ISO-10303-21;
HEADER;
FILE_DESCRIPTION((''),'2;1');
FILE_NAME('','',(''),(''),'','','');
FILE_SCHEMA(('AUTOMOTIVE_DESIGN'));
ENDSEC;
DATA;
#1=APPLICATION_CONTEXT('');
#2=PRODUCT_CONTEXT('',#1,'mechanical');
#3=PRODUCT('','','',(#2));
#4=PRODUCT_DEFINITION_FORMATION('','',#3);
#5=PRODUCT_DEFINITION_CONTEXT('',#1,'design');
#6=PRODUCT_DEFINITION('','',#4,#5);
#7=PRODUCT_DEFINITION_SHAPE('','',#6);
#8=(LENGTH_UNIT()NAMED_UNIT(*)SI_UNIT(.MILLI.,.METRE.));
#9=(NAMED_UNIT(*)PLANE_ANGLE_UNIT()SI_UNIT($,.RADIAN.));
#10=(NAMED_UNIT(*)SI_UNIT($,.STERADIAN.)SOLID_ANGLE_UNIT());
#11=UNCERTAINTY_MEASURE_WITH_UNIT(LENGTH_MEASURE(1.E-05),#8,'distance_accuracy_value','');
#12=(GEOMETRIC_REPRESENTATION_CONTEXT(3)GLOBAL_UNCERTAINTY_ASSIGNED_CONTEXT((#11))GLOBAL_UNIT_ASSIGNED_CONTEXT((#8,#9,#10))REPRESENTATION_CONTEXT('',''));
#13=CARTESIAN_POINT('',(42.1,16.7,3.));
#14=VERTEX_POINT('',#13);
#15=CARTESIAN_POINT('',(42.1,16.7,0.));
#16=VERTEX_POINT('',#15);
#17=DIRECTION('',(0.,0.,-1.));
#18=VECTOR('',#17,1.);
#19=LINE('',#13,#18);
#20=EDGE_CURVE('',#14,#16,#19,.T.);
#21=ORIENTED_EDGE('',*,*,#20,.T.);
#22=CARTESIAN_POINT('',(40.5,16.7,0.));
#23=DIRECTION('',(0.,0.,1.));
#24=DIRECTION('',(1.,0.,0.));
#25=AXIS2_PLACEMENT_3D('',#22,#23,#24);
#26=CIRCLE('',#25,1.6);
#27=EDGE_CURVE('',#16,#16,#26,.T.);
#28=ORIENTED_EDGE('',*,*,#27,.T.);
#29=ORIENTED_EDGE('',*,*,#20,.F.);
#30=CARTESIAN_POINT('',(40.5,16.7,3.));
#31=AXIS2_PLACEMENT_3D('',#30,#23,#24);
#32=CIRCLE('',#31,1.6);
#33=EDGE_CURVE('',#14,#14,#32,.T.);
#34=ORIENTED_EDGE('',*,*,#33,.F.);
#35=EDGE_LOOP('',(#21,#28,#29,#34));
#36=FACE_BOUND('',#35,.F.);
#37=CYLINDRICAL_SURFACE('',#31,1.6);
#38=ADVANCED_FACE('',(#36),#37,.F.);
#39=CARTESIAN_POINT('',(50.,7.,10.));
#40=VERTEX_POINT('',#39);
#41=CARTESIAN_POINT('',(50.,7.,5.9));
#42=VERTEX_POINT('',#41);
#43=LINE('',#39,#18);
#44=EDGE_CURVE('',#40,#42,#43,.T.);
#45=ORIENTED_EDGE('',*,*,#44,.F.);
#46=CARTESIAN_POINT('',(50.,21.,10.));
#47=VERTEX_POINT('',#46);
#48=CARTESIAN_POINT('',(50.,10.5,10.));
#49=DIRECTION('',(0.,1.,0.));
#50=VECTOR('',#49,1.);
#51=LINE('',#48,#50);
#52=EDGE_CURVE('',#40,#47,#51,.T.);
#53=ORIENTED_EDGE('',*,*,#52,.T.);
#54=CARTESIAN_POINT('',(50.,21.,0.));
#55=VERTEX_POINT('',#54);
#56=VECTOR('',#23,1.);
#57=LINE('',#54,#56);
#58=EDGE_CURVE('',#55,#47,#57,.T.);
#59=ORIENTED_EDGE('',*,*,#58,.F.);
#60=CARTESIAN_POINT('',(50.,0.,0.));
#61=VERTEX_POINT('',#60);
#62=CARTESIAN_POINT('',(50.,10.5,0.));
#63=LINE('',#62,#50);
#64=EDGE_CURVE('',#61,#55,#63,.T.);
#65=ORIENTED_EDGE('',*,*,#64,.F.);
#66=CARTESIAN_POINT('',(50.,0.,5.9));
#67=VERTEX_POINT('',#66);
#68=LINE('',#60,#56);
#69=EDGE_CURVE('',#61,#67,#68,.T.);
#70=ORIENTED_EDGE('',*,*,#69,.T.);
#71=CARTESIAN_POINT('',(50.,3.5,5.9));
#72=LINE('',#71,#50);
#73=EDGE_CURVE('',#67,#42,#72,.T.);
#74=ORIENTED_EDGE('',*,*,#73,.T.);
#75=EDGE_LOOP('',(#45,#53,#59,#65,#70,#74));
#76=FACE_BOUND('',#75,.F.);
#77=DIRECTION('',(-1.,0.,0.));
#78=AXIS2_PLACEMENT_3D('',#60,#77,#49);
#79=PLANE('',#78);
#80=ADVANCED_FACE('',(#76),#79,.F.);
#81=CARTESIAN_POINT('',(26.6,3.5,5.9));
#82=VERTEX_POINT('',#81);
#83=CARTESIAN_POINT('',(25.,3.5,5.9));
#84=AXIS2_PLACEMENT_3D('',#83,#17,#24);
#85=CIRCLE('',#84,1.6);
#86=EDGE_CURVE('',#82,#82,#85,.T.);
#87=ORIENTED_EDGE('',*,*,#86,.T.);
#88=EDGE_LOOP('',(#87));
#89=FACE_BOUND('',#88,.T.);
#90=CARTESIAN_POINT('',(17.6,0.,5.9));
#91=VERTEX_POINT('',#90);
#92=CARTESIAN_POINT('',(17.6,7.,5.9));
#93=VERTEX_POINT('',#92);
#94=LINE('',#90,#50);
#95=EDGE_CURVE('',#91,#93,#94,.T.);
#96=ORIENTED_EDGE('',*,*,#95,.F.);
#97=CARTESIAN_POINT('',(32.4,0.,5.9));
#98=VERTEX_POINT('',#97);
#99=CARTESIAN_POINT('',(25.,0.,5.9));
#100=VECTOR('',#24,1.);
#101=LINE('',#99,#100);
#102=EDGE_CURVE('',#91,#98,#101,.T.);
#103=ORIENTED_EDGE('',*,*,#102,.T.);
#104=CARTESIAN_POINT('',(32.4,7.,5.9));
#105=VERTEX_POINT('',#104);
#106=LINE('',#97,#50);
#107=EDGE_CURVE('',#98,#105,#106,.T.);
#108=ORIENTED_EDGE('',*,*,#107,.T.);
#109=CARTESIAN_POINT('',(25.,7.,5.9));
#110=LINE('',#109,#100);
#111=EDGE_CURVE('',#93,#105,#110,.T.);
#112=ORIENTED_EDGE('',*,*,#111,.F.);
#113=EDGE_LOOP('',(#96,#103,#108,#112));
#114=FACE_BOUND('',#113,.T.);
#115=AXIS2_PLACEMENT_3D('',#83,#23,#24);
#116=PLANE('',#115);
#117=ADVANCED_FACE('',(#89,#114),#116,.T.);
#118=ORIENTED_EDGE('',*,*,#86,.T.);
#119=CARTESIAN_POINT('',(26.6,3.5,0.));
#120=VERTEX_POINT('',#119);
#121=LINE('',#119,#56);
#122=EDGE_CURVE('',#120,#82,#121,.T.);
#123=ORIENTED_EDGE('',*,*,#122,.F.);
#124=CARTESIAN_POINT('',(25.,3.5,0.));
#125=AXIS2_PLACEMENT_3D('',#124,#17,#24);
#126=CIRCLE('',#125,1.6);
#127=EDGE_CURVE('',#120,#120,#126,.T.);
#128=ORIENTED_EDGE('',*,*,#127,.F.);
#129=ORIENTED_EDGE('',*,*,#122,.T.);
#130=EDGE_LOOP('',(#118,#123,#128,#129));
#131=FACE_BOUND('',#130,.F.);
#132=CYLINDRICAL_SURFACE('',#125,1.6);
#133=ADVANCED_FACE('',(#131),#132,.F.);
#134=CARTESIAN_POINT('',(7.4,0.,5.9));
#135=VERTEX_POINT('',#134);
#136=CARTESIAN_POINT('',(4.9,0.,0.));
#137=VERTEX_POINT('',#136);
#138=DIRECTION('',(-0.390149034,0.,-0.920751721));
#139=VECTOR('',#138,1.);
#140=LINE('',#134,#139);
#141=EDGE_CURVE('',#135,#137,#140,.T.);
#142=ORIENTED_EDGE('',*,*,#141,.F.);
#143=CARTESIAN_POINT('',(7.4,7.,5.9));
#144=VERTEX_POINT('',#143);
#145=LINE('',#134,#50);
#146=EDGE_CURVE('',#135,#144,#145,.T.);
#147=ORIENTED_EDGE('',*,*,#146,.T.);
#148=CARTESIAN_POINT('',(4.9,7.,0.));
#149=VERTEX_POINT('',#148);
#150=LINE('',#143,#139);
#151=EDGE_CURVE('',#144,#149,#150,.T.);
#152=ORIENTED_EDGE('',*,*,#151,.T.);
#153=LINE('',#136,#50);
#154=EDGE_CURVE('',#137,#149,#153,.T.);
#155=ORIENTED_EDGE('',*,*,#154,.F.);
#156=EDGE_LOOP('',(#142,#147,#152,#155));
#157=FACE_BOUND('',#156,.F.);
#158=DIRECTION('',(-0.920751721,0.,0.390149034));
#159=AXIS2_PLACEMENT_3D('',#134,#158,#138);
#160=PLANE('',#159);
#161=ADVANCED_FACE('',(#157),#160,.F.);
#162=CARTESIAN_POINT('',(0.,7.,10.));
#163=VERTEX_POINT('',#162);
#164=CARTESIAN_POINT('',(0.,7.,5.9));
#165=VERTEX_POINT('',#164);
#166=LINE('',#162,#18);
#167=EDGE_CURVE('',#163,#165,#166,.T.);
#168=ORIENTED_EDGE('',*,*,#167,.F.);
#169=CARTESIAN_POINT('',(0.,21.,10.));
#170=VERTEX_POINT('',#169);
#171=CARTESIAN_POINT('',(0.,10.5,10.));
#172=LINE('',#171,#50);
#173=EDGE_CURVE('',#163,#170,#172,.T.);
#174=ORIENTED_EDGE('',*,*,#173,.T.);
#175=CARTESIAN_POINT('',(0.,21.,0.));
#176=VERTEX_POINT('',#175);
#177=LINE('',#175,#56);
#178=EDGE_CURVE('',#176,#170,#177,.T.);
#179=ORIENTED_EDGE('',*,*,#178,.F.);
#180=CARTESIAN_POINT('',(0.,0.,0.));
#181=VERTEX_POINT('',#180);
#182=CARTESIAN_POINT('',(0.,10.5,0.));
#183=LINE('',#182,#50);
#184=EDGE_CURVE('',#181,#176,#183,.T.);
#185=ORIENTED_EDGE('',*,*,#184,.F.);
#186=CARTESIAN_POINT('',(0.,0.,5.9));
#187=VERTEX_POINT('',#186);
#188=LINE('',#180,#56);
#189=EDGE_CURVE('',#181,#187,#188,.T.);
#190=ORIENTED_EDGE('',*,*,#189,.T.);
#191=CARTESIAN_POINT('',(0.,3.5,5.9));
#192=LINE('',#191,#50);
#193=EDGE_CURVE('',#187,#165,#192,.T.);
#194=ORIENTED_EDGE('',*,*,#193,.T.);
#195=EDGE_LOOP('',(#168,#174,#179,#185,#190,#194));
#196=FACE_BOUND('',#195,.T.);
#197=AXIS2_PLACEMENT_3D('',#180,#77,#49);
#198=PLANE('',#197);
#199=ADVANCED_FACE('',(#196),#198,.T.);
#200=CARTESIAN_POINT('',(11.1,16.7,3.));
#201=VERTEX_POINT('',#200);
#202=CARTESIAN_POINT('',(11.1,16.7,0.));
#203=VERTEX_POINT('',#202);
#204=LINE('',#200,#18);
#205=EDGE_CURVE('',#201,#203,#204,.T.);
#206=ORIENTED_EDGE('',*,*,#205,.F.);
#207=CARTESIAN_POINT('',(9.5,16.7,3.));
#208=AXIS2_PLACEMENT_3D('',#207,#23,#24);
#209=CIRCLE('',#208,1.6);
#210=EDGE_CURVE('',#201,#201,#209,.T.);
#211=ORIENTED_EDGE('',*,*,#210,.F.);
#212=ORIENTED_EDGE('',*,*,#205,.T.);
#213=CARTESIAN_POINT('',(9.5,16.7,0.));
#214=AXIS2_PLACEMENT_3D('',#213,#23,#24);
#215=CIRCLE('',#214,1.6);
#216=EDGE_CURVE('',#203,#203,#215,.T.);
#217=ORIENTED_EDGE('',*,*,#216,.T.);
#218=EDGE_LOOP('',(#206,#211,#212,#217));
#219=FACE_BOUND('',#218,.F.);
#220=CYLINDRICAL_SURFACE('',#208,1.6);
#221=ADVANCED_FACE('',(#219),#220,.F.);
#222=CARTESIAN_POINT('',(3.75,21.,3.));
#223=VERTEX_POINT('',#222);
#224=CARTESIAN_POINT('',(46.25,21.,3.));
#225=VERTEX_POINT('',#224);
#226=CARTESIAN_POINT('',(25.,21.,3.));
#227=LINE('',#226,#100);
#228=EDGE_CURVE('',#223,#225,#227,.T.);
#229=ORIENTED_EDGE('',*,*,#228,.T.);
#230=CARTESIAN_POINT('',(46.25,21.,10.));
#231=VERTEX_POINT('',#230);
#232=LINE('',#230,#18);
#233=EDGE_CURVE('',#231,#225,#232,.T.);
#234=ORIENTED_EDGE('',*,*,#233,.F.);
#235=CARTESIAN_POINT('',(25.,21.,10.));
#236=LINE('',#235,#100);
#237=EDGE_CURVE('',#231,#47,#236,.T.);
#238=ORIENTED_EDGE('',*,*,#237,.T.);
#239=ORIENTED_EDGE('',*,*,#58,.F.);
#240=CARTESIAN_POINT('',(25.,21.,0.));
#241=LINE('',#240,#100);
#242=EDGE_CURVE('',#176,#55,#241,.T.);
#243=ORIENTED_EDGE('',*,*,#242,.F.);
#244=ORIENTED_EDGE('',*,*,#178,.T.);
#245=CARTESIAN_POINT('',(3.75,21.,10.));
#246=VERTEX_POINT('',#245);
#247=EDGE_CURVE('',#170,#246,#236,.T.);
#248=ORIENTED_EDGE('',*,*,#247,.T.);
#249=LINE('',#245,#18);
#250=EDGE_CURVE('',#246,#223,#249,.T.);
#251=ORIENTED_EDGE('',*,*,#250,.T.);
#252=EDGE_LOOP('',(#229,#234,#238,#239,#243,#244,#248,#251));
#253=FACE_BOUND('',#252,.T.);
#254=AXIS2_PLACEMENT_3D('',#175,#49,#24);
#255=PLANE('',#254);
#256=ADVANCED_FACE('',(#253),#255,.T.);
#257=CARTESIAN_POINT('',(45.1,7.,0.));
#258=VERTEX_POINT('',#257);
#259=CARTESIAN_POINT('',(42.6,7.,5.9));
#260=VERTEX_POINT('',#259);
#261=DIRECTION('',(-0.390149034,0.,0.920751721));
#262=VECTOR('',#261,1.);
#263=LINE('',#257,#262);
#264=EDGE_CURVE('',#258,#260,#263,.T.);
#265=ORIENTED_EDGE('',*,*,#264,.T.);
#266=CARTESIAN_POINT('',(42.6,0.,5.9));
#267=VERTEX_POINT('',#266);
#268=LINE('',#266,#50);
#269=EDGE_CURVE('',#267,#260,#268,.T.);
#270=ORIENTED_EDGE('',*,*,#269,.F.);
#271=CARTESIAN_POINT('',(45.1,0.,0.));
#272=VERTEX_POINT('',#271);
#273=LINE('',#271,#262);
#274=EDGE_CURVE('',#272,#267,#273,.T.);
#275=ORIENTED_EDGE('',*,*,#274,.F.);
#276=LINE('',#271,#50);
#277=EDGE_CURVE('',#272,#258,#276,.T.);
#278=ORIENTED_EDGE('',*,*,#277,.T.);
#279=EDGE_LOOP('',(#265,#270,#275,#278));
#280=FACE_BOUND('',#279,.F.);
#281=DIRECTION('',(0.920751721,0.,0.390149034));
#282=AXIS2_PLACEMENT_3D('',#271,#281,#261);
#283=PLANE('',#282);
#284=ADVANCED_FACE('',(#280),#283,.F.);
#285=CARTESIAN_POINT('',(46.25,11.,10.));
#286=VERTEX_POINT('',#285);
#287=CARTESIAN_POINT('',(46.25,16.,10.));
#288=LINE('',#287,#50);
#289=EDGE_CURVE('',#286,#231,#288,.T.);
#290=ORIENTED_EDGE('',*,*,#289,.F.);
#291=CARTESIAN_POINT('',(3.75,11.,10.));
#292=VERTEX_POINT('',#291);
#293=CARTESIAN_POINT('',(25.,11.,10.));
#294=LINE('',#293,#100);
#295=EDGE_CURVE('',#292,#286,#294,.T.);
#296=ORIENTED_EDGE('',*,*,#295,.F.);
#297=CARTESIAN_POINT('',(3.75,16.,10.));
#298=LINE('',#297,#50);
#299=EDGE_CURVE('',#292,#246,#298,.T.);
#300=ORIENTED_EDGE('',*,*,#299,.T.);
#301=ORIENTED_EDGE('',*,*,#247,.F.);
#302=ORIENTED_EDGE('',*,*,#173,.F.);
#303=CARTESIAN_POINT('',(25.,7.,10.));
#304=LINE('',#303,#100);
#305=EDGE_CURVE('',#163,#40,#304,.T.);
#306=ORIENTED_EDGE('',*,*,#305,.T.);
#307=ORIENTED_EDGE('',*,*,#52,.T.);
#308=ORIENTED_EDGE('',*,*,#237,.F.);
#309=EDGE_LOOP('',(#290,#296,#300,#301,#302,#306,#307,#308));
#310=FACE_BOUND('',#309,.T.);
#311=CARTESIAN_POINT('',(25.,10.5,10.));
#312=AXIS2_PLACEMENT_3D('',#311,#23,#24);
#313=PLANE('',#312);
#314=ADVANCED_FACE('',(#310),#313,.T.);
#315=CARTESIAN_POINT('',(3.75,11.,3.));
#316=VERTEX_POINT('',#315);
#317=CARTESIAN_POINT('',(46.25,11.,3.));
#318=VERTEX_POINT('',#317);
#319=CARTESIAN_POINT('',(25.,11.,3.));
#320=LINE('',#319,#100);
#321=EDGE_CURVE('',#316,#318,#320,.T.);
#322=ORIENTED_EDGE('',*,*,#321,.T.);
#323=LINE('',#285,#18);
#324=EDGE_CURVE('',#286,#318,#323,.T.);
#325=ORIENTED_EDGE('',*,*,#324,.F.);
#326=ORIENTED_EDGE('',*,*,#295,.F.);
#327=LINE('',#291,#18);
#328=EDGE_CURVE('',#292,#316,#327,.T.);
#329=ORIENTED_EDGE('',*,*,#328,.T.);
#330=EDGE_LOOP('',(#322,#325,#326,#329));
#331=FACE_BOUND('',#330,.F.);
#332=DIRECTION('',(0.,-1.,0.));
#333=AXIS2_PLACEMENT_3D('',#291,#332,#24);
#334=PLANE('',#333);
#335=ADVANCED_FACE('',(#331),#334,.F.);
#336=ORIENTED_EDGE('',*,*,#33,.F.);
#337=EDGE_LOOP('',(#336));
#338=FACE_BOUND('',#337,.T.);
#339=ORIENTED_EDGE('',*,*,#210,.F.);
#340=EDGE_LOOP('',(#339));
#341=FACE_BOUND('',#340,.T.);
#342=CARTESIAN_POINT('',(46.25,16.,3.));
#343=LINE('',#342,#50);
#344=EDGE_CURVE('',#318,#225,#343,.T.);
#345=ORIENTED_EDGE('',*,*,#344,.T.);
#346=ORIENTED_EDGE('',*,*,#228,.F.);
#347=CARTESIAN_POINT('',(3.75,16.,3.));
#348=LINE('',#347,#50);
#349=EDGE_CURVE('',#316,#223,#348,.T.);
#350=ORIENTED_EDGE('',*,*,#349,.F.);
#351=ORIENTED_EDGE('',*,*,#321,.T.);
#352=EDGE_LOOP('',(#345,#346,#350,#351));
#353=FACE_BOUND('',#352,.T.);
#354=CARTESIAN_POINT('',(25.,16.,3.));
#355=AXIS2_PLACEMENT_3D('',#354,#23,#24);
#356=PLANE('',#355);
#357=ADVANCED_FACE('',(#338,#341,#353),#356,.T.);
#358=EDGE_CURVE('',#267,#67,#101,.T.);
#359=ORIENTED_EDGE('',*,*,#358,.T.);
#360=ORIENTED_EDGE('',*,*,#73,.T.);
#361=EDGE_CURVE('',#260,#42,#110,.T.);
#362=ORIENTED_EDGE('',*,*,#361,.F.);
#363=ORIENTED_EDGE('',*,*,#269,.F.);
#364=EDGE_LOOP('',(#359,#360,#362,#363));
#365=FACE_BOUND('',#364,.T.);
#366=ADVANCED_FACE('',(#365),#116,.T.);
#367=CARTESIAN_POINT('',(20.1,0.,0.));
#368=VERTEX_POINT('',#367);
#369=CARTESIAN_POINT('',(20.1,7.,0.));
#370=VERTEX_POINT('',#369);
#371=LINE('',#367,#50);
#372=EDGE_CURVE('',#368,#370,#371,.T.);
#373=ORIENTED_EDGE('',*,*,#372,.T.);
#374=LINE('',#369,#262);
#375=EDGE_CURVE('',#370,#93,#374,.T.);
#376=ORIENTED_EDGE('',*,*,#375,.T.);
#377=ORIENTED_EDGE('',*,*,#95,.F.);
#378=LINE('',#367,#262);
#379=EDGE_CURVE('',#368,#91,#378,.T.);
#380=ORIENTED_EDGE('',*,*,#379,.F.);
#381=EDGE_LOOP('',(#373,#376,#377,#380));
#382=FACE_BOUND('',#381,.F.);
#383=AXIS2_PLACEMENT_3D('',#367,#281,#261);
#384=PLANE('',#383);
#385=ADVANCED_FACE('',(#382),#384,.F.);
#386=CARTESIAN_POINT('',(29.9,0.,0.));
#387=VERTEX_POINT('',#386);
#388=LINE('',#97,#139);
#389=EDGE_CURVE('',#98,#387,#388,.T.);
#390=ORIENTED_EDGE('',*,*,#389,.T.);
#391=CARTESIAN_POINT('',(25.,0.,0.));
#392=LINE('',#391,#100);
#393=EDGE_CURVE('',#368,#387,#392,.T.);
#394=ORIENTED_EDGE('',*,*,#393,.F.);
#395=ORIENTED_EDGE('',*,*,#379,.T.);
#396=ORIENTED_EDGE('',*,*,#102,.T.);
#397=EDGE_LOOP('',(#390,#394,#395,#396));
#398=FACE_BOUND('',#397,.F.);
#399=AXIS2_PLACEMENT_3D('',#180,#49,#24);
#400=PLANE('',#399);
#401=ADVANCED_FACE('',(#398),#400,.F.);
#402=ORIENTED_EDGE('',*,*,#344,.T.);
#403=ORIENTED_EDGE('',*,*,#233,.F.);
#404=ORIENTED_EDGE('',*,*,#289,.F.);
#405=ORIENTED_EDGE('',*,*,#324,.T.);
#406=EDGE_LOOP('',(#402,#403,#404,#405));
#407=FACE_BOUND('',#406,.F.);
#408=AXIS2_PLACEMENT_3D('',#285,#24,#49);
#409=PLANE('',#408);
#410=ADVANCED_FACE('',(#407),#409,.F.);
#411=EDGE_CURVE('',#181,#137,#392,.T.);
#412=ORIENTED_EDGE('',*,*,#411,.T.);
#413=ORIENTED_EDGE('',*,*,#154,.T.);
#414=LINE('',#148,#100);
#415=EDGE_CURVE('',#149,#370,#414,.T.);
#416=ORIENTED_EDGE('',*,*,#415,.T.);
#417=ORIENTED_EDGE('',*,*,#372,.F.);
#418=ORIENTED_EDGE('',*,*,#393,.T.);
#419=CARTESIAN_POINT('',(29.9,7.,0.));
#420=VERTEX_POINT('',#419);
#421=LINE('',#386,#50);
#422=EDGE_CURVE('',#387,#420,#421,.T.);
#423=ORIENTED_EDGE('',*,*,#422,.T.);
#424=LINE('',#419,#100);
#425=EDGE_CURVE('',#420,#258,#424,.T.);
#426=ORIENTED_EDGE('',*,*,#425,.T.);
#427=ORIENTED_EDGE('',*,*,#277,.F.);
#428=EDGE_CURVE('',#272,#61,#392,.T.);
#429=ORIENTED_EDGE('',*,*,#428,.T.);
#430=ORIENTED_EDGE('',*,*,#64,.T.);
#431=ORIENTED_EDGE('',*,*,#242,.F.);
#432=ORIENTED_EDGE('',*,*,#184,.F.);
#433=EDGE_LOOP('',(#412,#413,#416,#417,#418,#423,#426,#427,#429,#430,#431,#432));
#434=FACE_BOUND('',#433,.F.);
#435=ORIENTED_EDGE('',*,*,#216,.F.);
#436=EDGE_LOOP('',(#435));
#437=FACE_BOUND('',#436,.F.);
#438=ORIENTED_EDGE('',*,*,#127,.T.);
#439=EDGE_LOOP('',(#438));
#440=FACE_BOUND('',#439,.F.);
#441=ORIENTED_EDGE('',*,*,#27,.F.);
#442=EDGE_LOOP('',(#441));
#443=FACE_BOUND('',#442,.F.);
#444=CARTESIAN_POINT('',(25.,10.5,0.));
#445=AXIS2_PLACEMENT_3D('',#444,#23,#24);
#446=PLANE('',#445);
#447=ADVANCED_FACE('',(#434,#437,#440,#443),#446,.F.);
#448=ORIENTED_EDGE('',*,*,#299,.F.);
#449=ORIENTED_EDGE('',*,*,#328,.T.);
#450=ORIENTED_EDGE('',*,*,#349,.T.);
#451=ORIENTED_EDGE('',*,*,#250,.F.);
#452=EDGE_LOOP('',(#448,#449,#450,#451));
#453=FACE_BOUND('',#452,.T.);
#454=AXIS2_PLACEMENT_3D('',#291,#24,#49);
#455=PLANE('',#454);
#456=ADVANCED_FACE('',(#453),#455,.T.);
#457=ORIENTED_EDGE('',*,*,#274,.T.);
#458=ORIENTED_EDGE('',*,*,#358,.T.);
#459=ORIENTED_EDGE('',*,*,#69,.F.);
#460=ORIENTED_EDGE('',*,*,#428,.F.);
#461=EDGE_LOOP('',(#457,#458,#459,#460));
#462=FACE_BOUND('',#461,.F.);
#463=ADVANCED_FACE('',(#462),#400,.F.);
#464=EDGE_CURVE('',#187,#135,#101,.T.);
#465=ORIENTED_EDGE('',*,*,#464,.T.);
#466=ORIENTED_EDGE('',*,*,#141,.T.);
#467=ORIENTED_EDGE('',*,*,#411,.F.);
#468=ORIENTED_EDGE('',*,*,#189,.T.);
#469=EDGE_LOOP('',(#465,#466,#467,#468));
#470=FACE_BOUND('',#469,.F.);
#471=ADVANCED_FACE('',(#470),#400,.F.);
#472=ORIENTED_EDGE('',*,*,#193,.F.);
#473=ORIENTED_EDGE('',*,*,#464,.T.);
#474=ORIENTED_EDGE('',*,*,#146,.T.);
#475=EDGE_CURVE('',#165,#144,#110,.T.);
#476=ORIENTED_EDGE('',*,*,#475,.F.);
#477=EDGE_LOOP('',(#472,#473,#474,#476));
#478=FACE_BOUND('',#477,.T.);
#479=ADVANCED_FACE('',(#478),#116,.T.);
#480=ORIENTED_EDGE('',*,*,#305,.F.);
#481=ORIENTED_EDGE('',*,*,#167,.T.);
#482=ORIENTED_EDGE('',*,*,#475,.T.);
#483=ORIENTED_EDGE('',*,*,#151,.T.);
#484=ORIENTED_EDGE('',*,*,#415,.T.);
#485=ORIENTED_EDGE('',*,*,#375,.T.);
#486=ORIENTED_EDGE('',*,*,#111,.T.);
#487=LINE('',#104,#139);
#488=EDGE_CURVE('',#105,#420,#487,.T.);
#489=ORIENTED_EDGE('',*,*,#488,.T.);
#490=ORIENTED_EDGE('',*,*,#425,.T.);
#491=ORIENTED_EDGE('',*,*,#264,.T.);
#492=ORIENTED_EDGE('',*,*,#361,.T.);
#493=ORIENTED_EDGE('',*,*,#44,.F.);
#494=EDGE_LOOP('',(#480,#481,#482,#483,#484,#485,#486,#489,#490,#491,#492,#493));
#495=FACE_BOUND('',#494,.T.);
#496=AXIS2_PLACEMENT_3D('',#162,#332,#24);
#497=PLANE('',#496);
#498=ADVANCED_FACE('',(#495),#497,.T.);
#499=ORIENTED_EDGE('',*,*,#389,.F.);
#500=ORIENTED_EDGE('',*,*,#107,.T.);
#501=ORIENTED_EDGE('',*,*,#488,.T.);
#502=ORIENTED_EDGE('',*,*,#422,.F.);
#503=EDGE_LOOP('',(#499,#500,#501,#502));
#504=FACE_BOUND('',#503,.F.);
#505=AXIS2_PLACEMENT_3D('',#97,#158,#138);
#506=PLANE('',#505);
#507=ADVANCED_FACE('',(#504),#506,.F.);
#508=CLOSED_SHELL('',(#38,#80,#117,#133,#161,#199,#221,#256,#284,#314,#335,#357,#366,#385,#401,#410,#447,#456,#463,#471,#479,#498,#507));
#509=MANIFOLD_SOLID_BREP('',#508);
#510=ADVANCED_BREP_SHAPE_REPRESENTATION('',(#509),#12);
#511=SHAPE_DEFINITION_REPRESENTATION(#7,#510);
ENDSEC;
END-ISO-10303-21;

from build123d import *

# Parameters (mm, degrees)
SKETCH_W        = 50
SKETCH_H        = 21
PAD_DEPTH       = 10
SKETCH001_W     = 42.5
SKETCH001_H     = 10
POCKET_DEPTH    = 7
SKETCH002_R     = 1.6
POCKET001_DEPTH = 5
POCKET002_DEPTH = 7
SKETCH004_W     = 50
SKETCH004_H     = 7
POCKET003_DEPTH = 4.1
SKETCH005_R     = 1.6
POCKET004_DEPTH = 10.001


with BuildPart() as part:
    # Sketch → Pad (new body)
    with BuildSketch(Plane.XY):
        with Locations((25, 10.5)):
            Rectangle(SKETCH_W, SKETCH_H)
    extrude(amount=PAD_DEPTH)

    # Sketch001 (on Face6 of Pad) → Pocket (cut)
    with BuildSketch(Plane.XY.offset(10)):
        with Locations((25, 16)):
            Rectangle(SKETCH001_W, SKETCH001_H)
    extrude(amount=-POCKET_DEPTH, mode=Mode.SUBTRACT)

    # Sketch002 (on Face6 of Pocket) → Pocket001 (cut)
    with BuildSketch(Plane.XY.offset(3)):
        with Locations((9.5, 16.7)):
            Circle(SKETCH002_R)
        with Locations((40.5, 16.7)):
            Circle(SKETCH002_R)
    extrude(amount=-POCKET001_DEPTH, mode=Mode.SUBTRACT)

    # Sketch003 (on Face9 of Pocket001) → Pocket002 (cut)
    with BuildSketch(Plane.XZ):
        Polygon((4.9, 0), (20.1, 0), (17.6, 5.9), (7.4, 5.9), align=None)
        Polygon((29.9, 0), (45.1, 0), (42.6, 5.9), (32.4, 5.9), align=None)
    extrude(amount=-POCKET002_DEPTH, mode=Mode.SUBTRACT)

    # Sketch004 (on Face4 of Pocket002) → Pocket003 (cut)
    with BuildSketch(Plane.XY.offset(10)):
        with Locations((25, 3.5)):
            Rectangle(SKETCH004_W, SKETCH004_H)
    extrude(amount=-POCKET003_DEPTH, mode=Mode.SUBTRACT)

    # Sketch005 (on Face2 of Pocket003) → Pocket004 (cut, through all)
    with BuildSketch(Plane(origin=(0, 0, 0), x_dir=(1, 0, 0), z_dir=(0, 0, -1))):
        with Locations((25, -3.5)):
            Circle(SKETCH005_R)
    extrude(amount=-POCKET004_DEPTH, mode=Mode.SUBTRACT)


solid = part.part
